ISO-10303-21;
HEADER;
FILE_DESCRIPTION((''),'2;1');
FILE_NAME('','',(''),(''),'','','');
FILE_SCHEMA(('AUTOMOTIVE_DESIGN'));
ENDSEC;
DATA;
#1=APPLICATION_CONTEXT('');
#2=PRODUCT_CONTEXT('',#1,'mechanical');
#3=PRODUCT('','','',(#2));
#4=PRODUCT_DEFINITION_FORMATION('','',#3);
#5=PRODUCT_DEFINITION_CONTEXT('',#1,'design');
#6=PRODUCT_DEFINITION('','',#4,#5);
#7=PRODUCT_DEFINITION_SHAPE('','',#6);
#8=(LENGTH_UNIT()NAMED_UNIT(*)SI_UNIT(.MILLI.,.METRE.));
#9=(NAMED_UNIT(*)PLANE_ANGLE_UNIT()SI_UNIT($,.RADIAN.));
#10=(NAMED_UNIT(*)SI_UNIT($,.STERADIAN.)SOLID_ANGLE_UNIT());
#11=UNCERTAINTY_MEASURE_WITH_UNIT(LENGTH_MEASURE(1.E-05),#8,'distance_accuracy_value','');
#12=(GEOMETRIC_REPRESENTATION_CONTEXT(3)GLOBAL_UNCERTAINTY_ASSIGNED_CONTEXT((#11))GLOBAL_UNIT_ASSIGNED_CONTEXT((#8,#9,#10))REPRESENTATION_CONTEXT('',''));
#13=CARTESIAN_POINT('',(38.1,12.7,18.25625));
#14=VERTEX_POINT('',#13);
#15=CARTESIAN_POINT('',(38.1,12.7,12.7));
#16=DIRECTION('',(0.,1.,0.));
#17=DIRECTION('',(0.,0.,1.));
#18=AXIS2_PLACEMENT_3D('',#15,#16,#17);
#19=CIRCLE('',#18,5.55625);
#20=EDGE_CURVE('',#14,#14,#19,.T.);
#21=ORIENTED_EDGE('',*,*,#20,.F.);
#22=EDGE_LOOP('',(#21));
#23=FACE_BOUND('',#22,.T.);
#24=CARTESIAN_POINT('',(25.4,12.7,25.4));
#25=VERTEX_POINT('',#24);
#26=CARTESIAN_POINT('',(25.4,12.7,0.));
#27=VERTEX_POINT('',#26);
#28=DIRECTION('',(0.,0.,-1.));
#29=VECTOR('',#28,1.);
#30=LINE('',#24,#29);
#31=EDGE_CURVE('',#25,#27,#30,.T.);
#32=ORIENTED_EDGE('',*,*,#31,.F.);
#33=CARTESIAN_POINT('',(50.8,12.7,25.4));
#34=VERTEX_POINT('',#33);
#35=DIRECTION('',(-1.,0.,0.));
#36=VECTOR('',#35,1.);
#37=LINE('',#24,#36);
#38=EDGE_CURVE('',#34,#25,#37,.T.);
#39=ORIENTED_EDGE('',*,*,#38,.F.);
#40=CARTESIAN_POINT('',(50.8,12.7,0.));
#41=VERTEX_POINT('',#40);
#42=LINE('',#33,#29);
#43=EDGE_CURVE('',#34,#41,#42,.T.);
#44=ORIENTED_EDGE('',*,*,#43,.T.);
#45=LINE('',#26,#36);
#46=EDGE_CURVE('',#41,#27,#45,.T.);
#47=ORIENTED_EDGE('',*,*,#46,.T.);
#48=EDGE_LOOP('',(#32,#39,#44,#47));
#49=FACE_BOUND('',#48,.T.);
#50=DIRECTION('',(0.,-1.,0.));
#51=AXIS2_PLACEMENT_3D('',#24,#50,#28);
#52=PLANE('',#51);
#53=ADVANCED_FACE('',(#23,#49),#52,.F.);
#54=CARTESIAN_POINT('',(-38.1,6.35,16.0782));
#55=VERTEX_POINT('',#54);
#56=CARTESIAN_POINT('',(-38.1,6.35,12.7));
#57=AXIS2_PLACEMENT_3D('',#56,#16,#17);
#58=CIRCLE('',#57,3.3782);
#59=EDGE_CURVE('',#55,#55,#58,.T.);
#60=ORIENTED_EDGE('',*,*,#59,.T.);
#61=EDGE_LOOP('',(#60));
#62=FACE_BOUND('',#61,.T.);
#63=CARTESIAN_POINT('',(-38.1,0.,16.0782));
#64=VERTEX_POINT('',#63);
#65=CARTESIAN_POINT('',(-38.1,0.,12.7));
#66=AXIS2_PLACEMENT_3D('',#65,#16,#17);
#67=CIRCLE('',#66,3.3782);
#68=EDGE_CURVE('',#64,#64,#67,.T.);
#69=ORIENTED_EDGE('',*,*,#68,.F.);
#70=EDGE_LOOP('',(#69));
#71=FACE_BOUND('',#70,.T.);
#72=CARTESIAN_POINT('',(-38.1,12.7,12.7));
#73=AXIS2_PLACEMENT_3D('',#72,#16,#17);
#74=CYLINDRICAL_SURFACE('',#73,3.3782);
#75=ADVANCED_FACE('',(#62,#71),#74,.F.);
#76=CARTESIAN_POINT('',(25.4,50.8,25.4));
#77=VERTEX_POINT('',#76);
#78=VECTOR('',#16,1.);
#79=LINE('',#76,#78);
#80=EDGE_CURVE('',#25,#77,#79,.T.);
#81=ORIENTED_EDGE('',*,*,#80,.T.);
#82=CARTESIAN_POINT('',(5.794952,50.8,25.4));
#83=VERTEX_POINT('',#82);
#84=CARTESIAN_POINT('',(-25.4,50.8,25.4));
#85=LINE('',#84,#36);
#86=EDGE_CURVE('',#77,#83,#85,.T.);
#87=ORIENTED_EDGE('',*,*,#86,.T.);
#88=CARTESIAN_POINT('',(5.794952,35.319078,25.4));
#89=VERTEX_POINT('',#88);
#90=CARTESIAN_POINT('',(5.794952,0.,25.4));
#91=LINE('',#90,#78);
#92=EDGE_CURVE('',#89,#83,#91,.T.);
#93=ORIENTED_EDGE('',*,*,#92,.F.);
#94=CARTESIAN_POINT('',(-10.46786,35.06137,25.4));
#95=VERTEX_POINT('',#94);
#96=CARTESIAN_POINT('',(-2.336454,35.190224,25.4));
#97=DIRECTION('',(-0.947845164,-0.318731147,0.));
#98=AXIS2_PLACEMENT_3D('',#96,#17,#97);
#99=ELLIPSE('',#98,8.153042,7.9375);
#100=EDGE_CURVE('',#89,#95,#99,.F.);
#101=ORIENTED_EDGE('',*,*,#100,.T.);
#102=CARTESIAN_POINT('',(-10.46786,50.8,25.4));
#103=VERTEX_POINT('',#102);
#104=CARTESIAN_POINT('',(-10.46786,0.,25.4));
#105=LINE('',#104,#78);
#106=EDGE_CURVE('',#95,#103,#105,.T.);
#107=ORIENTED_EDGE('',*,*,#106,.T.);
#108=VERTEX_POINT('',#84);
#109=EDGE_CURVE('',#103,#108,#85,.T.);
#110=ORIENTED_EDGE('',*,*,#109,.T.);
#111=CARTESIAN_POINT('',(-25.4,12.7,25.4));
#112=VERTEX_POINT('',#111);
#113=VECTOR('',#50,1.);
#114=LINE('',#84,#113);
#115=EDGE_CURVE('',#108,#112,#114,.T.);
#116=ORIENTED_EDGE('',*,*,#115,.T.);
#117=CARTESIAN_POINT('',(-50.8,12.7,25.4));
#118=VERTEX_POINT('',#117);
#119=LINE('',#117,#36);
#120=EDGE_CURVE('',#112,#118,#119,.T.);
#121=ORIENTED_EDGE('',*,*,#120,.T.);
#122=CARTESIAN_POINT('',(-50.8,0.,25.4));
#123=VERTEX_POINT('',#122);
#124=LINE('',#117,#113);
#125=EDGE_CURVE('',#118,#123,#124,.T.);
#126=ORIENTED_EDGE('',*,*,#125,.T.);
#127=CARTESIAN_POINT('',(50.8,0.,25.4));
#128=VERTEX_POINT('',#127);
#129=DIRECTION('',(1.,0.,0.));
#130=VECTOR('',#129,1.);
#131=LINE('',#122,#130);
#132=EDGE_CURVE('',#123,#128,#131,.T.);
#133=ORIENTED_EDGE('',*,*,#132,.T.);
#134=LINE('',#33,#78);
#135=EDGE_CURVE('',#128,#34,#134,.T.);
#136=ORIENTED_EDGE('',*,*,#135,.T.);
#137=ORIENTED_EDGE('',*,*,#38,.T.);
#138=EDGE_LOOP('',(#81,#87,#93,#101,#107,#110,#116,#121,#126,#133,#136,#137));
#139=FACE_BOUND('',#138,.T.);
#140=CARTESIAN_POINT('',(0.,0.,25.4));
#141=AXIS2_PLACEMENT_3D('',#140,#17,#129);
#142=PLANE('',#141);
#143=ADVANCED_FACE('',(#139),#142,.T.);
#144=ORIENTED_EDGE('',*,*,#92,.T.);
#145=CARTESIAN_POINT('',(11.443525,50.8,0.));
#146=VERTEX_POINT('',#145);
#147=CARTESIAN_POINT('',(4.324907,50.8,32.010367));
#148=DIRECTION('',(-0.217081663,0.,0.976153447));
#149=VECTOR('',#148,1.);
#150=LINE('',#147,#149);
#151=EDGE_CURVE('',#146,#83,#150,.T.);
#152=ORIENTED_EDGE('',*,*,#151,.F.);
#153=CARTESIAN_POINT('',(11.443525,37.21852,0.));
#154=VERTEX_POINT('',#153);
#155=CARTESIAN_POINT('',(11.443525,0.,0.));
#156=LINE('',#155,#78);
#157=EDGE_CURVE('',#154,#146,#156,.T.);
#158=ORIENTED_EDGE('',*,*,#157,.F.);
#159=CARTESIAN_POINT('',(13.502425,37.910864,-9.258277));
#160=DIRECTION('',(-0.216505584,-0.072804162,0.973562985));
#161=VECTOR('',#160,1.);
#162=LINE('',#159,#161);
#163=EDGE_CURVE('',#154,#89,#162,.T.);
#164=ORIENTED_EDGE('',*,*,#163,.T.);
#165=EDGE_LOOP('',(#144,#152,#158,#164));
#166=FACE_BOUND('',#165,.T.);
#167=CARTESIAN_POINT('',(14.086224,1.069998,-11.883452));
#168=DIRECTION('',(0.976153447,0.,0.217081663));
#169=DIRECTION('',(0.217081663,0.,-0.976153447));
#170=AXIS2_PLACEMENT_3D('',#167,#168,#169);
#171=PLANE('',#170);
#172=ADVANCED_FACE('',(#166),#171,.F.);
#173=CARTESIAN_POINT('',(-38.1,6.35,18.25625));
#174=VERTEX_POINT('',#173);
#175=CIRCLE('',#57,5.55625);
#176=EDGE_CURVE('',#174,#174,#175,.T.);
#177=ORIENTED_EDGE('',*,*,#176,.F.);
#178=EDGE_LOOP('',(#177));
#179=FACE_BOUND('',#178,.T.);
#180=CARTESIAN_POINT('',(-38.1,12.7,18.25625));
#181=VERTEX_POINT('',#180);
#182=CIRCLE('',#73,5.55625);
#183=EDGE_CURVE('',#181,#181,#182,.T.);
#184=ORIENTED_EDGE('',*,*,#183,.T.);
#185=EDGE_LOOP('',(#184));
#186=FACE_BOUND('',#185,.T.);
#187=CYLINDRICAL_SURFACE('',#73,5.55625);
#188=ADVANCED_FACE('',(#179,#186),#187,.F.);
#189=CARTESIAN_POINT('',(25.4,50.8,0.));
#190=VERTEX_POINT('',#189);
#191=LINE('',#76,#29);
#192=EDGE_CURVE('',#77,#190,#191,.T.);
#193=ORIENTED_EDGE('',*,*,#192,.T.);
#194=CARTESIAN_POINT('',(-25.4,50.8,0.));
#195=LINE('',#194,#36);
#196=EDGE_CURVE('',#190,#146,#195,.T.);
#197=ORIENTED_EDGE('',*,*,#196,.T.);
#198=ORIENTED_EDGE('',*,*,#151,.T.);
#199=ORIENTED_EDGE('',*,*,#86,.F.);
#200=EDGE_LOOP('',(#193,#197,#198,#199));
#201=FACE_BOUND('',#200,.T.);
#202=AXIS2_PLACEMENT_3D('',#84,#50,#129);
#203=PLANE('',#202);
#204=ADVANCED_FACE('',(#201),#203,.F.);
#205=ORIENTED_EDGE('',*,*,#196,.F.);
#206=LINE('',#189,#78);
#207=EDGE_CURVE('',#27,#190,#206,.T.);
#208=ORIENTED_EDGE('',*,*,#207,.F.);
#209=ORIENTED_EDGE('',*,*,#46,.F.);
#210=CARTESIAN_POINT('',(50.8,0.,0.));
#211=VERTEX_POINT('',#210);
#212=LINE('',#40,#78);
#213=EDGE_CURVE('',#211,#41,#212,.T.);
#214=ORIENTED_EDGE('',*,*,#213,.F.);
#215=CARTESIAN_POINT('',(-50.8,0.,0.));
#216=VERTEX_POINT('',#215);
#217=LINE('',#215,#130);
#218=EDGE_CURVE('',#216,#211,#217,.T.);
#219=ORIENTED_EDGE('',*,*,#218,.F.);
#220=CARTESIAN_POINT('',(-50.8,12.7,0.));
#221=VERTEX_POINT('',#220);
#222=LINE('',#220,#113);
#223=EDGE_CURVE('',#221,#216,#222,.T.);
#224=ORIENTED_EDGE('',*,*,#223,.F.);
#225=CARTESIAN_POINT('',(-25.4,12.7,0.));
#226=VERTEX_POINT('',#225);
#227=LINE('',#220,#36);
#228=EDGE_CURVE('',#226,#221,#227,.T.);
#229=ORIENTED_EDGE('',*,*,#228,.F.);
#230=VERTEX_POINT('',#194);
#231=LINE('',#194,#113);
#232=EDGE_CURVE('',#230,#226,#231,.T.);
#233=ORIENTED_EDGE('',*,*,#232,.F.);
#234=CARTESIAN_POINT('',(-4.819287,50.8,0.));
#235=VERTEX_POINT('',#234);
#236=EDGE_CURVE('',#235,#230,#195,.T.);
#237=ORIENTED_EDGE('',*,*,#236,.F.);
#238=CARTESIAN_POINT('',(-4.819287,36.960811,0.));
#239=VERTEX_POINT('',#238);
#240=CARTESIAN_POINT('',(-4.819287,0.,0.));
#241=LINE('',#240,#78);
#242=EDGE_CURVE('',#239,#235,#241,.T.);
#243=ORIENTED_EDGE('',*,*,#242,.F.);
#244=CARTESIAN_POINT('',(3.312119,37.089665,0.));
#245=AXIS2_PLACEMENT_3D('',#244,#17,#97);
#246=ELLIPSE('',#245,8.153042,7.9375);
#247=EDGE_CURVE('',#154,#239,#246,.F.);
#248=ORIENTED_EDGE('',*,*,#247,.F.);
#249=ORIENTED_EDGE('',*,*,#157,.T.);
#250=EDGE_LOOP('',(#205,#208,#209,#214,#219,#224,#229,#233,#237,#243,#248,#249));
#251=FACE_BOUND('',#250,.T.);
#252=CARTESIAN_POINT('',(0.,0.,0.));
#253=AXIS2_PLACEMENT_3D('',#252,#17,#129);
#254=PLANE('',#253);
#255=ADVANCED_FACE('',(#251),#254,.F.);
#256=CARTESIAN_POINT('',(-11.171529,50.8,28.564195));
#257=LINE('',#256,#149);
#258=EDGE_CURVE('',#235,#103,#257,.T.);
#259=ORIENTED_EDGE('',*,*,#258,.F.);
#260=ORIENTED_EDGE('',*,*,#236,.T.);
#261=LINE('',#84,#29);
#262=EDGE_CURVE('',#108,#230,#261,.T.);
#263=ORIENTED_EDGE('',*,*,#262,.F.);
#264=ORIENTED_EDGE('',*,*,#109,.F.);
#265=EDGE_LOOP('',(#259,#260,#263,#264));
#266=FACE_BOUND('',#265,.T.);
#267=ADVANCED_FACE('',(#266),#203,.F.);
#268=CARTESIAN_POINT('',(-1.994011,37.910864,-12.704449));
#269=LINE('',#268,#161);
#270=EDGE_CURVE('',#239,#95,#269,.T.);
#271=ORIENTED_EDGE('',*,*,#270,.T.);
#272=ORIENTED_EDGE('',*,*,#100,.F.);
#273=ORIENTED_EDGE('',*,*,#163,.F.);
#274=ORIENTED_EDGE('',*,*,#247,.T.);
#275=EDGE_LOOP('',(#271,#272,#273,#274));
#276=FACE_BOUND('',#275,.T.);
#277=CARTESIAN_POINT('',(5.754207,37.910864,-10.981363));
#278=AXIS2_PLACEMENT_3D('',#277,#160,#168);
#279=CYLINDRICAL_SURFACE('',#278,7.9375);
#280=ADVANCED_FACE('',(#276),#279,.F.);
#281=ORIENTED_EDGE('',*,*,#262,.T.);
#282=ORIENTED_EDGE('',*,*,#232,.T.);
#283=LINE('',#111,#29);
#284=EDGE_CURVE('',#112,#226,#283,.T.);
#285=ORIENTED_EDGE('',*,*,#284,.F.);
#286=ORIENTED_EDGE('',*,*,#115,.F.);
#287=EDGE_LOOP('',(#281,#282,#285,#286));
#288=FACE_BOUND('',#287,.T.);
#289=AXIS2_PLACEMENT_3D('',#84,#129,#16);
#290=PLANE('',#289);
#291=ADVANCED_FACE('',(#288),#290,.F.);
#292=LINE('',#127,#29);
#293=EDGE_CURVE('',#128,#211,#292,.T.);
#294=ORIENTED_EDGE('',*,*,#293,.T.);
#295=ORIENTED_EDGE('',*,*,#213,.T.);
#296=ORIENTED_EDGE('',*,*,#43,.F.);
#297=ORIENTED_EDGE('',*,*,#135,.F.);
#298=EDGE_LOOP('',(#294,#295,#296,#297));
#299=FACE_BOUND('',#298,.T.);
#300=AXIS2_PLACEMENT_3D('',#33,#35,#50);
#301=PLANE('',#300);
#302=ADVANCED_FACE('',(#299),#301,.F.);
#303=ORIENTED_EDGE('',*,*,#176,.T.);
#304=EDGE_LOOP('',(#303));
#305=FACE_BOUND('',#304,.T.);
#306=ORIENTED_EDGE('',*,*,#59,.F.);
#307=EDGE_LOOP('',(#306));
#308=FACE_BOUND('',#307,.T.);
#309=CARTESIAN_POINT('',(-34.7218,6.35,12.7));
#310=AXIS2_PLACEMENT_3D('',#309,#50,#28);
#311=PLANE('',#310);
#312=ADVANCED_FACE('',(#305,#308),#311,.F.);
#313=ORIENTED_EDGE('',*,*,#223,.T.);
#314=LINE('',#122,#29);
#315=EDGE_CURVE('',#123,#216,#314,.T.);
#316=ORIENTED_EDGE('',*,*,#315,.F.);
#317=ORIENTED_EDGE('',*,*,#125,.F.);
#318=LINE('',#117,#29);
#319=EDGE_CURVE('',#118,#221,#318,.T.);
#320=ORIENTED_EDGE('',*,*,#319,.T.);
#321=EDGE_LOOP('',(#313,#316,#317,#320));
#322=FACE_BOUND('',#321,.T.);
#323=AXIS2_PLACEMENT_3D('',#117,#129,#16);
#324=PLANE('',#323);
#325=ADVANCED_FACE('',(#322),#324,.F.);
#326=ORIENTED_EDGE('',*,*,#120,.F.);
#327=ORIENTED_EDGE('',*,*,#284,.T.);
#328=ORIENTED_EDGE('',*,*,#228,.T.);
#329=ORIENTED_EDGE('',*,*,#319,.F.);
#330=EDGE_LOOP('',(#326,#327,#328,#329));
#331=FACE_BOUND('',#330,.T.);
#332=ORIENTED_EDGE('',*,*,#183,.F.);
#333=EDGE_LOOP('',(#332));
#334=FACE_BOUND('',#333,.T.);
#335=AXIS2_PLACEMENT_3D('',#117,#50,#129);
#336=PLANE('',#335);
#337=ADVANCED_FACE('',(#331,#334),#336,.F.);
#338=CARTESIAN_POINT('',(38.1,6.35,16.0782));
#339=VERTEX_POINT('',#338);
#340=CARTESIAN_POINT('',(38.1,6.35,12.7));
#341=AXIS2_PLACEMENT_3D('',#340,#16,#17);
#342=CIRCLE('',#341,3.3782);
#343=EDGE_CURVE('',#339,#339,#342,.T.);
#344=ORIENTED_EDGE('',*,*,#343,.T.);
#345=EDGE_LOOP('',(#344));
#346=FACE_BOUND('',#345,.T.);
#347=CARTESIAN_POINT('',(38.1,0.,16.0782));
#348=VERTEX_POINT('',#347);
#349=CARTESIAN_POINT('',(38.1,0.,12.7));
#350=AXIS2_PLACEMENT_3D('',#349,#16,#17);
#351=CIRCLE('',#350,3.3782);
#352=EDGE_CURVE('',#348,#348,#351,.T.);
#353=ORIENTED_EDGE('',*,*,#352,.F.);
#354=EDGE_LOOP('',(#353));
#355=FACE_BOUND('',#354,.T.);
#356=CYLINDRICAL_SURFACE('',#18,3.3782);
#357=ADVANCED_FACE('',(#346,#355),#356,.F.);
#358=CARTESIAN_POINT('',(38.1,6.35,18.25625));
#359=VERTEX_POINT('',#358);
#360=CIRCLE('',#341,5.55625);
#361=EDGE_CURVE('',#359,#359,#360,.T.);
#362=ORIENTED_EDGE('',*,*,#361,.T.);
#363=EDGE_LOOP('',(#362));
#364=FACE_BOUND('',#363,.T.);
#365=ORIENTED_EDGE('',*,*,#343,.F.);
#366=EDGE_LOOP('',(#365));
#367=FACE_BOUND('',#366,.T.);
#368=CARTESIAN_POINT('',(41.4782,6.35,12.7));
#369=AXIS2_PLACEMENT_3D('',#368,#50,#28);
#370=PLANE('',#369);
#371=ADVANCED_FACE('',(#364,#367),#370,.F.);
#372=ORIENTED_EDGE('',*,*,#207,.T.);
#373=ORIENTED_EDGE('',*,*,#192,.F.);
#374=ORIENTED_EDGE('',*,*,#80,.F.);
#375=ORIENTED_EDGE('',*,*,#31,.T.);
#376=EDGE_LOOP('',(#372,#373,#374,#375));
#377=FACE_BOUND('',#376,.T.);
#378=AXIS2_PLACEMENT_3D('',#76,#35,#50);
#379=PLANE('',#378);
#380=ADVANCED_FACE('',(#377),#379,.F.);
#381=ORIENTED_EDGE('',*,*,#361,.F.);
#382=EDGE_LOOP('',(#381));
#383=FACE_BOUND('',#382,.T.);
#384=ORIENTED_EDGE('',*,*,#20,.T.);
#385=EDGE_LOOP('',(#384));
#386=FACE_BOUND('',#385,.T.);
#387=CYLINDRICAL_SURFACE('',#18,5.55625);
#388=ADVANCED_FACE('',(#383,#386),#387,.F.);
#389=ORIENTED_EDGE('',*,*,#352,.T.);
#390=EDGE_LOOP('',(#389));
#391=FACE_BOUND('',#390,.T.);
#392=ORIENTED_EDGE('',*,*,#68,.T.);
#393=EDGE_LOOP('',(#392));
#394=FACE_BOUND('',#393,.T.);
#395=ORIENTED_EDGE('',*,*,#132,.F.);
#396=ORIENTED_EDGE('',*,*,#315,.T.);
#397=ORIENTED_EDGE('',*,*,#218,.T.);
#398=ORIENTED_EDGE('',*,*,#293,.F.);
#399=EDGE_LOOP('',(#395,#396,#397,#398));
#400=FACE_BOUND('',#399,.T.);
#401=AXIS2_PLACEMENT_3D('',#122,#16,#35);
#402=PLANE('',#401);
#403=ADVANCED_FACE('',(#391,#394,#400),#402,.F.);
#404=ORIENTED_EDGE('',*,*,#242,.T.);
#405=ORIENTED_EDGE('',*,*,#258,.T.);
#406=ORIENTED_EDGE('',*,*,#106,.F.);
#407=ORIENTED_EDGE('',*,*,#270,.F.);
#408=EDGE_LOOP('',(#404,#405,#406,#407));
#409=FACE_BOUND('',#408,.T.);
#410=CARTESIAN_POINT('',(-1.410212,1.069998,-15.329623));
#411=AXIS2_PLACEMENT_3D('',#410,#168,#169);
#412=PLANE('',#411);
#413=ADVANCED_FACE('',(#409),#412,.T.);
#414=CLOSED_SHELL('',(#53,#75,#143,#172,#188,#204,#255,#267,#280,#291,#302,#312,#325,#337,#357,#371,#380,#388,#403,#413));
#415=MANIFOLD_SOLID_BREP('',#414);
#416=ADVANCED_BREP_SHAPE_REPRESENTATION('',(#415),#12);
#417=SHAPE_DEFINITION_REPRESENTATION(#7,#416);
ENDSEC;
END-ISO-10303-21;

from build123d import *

# Parameters (mm, degrees)
BOSS_EXTRUDE1_DEPTH                              = 25.4
CBORE_FOR_1_4_SOCKET_HEAD_CAP_SCREW1_D           = 6.7564
CBORE_FOR_1_4_SOCKET_HEAD_CAP_SCREW1_CBORE_D     = 11.1125
CBORE_FOR_1_4_SOCKET_HEAD_CAP_SCREW1_CBORE_DEPTH = 6.35
SKETCH6_R                                        = 7.9375
CUT_EXTRUDE2_DEPTH                               = 93.898049386


with BuildPart() as part:
    # Sketch1 → Boss-Extrude1 (new body)
    with BuildSketch(Plane.XY):
        Polygon((25.4, 12.7), (50.8, 12.7), (50.8, 0), (-50.8, 0), (-50.8, 12.7), (-25.4, 12.7), (-25.4, 50.8), (25.4, 50.8), align=None)
    extrude(amount=BOSS_EXTRUDE1_DEPTH)

    # CBORE for 1/4 Socket Head Cap Screw1 (through all)
    with Locations(Plane(origin=(0, 12.7, 0), x_dir=(1, 0, 0), z_dir=(0, 1, 0))):
        with Locations((-38.1, -12.7), (38.1, -12.7)):
            CounterBoreHole(CBORE_FOR_1_4_SOCKET_HEAD_CAP_SCREW1_D / 2, CBORE_FOR_1_4_SOCKET_HEAD_CAP_SCREW1_CBORE_D / 2, CBORE_FOR_1_4_SOCKET_HEAD_CAP_SCREW1_CBORE_DEPTH)

    # Sketch6 → Cut-Extrude2 (cut, through all)
    with BuildSketch(Plane(origin=(-10.442463605, 32.464422505, 61.850379973), x_dir=(-0.9762276715802475, 0.026604535934103283, -0.21510865140374857), z_dir=(0.21650558359918726, 0.07280416213947143, -0.9735629852482811))):
        Circle(SKETCH6_R)
        with BuildLine():
            Line((-6.795136978, 42.915355356), (-7.934675442, 0.211735396))
            ThreePointArc((-7.934675442, 0.211735396), (0.105877117, 7.936793829), (7.9375, 0))
            ThreePointArc((7.9375, 0), (7.936793829, -0.105877117), (7.934675442, -0.211735396))
            Line((7.934675442, -0.211735396), (9.074213906, 42.491884564))
            Line((9.074213906, 42.491884564), (-6.795136978, 42.915355356))
        make_face()
    extrude(amount=CUT_EXTRUDE2_DEPTH, mode=Mode.SUBTRACT)


solid = part.part
